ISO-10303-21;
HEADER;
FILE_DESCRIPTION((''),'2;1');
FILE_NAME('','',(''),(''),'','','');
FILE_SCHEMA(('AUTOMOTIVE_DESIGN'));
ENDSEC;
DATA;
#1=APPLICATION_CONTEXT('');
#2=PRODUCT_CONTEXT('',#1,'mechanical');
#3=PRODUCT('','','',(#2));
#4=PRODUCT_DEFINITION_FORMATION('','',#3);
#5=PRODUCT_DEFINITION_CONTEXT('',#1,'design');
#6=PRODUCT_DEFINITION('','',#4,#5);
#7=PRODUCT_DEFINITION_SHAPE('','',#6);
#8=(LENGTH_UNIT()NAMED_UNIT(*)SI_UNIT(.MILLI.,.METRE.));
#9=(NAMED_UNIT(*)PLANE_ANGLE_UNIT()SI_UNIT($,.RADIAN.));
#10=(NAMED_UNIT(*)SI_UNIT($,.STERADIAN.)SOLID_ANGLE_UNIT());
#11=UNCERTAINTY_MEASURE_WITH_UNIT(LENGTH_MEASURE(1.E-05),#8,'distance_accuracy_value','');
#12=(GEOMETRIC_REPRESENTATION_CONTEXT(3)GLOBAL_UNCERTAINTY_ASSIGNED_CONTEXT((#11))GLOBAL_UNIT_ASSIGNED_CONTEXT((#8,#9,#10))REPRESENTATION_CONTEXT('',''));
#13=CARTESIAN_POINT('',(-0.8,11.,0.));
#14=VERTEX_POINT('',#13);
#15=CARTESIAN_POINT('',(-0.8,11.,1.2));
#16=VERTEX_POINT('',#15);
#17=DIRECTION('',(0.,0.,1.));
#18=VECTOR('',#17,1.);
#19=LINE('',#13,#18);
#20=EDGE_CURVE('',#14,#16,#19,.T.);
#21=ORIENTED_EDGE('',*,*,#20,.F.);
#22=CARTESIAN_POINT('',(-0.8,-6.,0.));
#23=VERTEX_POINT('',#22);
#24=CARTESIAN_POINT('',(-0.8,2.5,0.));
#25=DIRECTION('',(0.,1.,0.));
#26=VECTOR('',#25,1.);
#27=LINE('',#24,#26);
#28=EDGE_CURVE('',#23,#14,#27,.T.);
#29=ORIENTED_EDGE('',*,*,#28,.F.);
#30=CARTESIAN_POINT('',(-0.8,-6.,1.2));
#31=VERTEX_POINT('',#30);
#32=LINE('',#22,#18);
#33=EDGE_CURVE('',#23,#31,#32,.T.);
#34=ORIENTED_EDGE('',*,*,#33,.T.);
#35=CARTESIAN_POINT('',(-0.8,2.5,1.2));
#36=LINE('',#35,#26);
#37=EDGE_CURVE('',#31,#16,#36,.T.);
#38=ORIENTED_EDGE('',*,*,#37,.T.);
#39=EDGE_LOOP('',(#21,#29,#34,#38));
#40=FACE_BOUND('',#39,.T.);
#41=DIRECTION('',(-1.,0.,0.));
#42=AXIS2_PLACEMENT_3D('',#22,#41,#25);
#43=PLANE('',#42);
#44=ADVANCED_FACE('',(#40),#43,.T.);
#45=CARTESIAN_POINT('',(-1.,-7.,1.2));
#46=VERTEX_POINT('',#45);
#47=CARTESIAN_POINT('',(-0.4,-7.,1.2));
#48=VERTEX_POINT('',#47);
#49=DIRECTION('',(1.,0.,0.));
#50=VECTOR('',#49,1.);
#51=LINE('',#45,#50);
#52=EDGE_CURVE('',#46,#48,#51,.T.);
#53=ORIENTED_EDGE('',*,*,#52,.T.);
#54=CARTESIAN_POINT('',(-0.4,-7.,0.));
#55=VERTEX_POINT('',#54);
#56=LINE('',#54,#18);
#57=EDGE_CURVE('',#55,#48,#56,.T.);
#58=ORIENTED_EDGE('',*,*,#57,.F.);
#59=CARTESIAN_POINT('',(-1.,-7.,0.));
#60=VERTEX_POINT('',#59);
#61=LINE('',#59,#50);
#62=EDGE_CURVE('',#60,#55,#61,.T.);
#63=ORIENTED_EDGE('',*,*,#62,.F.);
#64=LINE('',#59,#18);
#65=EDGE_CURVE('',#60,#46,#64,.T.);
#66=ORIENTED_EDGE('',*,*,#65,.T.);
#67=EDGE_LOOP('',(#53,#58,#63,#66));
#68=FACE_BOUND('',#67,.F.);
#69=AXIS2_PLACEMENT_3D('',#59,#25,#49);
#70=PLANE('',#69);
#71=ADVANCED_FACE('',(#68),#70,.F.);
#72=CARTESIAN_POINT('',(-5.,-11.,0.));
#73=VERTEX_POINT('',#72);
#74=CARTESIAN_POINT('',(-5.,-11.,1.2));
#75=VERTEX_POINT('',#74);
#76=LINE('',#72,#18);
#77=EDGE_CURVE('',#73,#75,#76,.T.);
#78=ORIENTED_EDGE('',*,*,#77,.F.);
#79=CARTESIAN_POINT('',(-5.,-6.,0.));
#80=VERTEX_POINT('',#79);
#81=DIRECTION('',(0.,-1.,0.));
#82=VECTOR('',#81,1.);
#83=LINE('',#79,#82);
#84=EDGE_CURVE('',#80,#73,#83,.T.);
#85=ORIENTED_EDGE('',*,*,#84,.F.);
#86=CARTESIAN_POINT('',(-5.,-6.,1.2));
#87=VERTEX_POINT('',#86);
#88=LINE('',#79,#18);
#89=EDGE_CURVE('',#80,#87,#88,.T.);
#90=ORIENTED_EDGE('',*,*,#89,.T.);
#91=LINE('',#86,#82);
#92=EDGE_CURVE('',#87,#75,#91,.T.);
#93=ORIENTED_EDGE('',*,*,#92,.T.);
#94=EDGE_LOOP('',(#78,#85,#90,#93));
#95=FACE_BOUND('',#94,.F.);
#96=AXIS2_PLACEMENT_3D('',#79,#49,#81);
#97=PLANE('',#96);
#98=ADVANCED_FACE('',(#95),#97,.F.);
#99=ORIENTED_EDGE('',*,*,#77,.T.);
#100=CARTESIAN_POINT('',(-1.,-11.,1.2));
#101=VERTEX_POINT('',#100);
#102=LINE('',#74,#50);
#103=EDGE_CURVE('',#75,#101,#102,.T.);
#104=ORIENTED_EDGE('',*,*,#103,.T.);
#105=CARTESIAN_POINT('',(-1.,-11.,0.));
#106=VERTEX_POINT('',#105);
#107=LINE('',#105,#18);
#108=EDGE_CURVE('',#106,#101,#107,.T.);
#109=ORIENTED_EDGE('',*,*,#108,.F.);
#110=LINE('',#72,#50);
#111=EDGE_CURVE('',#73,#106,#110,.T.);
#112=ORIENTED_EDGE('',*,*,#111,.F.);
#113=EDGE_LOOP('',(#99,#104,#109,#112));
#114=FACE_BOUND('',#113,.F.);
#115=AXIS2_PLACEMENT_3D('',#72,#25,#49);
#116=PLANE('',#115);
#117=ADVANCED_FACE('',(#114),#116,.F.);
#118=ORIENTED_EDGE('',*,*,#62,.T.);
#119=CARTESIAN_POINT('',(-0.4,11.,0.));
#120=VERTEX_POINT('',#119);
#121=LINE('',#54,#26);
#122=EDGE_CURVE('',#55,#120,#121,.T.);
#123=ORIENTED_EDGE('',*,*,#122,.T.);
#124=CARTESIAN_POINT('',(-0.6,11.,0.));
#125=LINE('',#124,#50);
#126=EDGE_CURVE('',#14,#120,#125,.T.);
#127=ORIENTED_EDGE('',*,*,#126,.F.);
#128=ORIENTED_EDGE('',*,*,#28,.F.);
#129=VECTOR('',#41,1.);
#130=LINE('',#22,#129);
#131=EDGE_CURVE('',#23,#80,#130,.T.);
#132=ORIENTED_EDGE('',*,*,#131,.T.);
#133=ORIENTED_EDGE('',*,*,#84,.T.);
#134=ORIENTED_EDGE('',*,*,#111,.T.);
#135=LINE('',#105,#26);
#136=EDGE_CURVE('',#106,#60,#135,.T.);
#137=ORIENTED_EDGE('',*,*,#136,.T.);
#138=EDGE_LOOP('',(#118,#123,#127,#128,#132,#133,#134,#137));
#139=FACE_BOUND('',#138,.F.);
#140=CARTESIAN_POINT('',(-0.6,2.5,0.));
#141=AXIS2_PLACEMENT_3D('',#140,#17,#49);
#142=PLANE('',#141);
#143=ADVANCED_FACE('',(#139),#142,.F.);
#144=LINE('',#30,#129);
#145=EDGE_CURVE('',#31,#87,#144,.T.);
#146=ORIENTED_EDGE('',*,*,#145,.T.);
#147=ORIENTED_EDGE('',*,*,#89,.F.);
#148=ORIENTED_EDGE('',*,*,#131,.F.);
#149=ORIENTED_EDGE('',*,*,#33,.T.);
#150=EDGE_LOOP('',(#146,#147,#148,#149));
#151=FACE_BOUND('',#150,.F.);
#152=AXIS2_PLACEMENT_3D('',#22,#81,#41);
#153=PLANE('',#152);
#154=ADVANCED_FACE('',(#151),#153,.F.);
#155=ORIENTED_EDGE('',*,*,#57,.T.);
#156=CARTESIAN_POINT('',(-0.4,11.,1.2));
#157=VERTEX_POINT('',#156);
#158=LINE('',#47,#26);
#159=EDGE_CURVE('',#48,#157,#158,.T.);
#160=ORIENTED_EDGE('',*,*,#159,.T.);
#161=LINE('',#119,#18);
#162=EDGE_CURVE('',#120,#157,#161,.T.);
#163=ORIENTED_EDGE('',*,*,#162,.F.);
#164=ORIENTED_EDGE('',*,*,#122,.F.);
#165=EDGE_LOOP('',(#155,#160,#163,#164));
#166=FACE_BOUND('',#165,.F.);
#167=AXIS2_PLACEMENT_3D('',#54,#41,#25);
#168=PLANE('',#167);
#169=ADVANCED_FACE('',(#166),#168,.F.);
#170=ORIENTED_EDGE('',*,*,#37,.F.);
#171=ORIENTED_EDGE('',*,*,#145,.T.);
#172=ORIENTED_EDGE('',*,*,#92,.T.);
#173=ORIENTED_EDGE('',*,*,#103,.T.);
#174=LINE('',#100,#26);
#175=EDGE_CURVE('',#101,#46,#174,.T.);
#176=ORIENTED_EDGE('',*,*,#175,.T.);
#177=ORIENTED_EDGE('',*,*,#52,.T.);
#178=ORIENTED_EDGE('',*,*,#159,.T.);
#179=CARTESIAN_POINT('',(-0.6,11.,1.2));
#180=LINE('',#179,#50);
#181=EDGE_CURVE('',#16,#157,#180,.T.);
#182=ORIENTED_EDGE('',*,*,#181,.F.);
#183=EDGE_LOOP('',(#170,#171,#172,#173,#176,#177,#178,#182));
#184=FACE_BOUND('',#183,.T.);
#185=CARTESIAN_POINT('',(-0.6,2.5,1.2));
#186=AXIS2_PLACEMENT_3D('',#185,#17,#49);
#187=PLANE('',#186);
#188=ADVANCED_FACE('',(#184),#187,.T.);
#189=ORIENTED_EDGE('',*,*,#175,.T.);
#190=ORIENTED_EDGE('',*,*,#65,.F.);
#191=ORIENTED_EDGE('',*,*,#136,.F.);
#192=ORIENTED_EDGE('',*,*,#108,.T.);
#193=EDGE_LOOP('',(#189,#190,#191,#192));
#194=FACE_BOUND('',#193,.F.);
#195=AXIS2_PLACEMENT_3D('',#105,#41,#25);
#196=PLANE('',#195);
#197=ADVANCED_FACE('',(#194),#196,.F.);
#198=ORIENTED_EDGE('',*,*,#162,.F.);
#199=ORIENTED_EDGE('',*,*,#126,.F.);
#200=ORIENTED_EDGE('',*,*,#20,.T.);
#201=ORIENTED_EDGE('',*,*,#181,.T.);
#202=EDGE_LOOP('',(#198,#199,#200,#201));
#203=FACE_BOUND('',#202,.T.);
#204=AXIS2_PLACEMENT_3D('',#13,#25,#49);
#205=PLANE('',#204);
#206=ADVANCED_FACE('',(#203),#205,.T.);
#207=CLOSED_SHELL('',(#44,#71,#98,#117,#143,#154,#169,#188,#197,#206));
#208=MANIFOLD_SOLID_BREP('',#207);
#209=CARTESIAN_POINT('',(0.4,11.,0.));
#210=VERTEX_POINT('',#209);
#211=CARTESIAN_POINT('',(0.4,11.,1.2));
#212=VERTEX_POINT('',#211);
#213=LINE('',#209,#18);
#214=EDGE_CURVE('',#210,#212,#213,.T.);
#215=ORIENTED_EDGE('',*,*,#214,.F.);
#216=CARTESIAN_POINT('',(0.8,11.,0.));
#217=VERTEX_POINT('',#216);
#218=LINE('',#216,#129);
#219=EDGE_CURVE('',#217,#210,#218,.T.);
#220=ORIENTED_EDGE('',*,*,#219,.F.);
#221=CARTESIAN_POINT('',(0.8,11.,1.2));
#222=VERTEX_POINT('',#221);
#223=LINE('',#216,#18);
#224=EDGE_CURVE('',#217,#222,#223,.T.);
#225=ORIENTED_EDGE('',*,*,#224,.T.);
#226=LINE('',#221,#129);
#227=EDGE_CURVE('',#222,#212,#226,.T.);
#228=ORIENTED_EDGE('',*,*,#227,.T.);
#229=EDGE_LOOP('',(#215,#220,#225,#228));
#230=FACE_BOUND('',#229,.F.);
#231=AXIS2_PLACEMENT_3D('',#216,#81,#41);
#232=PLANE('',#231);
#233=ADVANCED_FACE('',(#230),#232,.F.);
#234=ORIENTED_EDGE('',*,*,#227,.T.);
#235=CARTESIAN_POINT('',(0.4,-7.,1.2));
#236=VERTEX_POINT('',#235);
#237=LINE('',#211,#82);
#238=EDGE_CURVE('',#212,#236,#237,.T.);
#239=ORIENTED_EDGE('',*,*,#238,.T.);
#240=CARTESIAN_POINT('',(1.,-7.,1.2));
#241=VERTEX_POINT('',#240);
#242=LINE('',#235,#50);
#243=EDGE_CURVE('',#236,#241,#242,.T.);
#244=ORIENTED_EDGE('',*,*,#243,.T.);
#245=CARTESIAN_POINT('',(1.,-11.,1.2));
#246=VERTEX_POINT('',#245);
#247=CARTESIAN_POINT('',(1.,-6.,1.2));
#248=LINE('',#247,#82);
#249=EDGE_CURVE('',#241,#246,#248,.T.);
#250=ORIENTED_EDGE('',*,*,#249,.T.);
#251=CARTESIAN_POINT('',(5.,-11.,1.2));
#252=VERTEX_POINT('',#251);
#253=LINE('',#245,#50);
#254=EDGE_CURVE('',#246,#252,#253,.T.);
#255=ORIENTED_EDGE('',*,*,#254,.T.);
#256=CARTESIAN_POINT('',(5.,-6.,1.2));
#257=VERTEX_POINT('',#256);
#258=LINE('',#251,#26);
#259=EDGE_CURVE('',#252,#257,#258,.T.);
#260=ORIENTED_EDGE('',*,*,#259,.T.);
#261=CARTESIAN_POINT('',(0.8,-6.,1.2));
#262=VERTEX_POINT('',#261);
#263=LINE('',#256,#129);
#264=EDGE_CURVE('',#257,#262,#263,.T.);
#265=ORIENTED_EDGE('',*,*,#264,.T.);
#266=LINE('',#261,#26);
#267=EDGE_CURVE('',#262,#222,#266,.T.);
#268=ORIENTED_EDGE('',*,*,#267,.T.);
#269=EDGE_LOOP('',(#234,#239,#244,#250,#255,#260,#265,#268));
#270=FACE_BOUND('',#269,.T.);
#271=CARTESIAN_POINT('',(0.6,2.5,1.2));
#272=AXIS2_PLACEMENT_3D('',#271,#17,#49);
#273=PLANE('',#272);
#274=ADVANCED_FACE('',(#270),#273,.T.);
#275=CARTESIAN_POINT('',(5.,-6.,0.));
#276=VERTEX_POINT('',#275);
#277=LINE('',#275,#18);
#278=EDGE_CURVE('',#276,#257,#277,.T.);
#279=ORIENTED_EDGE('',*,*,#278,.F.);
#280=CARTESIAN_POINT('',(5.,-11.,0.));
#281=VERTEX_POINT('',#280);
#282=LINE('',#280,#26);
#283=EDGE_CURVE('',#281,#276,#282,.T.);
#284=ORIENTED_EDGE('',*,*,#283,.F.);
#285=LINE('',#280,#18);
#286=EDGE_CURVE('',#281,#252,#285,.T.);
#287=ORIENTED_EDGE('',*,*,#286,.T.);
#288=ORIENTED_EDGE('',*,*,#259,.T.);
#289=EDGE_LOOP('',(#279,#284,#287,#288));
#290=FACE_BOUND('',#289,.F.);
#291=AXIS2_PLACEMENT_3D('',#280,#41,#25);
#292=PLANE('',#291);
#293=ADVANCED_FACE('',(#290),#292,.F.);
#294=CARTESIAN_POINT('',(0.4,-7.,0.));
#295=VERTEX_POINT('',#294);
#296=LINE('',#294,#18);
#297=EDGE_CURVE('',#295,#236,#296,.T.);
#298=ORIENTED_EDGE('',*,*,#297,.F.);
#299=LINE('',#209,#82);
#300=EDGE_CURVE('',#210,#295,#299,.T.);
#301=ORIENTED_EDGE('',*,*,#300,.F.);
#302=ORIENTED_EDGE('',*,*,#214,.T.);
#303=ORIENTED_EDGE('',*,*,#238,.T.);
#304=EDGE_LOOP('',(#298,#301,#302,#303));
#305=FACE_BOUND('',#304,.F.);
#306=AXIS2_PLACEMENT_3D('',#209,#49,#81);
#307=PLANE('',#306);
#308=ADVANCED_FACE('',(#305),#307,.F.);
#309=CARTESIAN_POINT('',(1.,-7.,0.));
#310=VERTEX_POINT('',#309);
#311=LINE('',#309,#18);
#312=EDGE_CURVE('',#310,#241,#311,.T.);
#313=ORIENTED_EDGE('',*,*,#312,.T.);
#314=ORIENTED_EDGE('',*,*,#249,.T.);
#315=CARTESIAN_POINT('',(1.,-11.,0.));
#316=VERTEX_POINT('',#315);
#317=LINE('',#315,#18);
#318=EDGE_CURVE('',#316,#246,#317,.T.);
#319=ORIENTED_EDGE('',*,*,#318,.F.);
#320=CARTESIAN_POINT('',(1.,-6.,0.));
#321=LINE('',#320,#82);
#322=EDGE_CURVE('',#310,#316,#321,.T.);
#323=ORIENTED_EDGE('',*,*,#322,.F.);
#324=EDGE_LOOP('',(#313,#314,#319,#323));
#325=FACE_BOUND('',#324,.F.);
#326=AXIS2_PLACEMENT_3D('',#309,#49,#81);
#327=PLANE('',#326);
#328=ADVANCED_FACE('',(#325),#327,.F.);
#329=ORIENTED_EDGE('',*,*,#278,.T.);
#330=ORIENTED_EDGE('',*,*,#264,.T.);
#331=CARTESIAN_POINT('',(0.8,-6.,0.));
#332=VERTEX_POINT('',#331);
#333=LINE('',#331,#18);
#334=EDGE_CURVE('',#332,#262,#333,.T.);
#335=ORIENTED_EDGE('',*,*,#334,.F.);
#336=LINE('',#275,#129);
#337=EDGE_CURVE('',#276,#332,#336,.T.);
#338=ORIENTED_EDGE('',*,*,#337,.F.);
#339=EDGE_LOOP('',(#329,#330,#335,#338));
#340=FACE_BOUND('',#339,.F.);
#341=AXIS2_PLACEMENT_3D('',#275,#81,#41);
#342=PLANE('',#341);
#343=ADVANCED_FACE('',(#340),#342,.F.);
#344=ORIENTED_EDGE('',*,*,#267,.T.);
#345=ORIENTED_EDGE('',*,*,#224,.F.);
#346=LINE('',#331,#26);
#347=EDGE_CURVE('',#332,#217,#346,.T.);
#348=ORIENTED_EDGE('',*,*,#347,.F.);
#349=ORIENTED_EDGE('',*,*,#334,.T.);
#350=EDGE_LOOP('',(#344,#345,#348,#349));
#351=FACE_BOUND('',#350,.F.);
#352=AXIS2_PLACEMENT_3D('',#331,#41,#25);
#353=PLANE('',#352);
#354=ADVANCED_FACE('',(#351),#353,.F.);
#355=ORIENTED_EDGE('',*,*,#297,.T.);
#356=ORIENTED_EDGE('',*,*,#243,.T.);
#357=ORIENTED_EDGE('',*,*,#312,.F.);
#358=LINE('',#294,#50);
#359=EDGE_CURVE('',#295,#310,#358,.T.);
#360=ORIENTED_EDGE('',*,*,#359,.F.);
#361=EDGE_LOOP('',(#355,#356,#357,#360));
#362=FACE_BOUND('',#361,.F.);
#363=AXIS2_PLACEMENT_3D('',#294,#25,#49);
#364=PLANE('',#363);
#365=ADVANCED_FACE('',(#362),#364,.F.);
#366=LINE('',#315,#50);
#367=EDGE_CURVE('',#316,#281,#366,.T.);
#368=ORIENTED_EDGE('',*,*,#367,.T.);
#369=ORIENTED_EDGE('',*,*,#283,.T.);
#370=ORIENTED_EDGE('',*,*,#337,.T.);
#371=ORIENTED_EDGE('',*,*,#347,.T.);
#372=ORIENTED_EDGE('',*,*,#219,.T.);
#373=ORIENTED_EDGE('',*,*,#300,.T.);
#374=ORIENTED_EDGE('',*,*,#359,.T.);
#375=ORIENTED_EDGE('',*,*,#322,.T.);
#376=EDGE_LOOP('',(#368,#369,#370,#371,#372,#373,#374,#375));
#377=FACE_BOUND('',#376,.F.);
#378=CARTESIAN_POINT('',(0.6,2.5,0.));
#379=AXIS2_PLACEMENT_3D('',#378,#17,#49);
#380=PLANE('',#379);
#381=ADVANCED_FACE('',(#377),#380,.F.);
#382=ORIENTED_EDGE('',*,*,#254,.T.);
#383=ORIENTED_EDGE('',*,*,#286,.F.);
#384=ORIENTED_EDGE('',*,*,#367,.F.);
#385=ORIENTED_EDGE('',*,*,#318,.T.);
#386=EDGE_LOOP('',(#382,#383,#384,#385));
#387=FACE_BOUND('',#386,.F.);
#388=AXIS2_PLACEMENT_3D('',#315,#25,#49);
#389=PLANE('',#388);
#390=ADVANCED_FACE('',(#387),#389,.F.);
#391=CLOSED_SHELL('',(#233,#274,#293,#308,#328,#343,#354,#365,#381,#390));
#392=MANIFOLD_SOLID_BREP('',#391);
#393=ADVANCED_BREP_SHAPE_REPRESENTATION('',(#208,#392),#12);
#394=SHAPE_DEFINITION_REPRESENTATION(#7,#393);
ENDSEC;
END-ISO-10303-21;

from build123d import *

# Parameters (mm, degrees)
F0_W     = 0.2
F0_H     = 1
F1_DEPTH = 1.2
F0_W_2   = 0.4
F0_H_2   = 17


with BuildPart() as f1:
    # F0 (on Top) → F1 (new body)
    with BuildSketch(Plane.XY):
        Polygon((0.8, -6), (0.8, 11), (0.4, 11), (0.4, 0), (0.4, -6), (0.5, -6), align=None)
        Polygon((5, -6), (1, -6), (1, -7), (1, -11), (5, -11), align=None)
        with Locations((0.9, -6.5)):
            Rectangle(F0_W, F0_H)
        Polygon((0.8, -7), (0.8, -6), (0.5, -6), (0.4, -6), (0.4, -7), align=None)
    extrude(amount=F1_DEPTH)


with BuildPart() as f1b:
    # F0 (on Top) → F1, piece 2 (new body)
    with BuildSketch(Plane.XY):
        with Locations((-0.6, 2.5)):
            Rectangle(F0_W_2, F0_H_2)
        Polygon((-1, -7), (-1, -6), (-5, -6), (-5, -11), (-1, -11), align=None)
        with Locations((-0.9, -6.5)):
            Rectangle(F0_W, F0_H)
        with Locations((-0.6, -6.5)):
            Rectangle(F0_W_2, F0_H)
    extrude(amount=F1_DEPTH)


solid = Compound([f1.part, f1b.part])
